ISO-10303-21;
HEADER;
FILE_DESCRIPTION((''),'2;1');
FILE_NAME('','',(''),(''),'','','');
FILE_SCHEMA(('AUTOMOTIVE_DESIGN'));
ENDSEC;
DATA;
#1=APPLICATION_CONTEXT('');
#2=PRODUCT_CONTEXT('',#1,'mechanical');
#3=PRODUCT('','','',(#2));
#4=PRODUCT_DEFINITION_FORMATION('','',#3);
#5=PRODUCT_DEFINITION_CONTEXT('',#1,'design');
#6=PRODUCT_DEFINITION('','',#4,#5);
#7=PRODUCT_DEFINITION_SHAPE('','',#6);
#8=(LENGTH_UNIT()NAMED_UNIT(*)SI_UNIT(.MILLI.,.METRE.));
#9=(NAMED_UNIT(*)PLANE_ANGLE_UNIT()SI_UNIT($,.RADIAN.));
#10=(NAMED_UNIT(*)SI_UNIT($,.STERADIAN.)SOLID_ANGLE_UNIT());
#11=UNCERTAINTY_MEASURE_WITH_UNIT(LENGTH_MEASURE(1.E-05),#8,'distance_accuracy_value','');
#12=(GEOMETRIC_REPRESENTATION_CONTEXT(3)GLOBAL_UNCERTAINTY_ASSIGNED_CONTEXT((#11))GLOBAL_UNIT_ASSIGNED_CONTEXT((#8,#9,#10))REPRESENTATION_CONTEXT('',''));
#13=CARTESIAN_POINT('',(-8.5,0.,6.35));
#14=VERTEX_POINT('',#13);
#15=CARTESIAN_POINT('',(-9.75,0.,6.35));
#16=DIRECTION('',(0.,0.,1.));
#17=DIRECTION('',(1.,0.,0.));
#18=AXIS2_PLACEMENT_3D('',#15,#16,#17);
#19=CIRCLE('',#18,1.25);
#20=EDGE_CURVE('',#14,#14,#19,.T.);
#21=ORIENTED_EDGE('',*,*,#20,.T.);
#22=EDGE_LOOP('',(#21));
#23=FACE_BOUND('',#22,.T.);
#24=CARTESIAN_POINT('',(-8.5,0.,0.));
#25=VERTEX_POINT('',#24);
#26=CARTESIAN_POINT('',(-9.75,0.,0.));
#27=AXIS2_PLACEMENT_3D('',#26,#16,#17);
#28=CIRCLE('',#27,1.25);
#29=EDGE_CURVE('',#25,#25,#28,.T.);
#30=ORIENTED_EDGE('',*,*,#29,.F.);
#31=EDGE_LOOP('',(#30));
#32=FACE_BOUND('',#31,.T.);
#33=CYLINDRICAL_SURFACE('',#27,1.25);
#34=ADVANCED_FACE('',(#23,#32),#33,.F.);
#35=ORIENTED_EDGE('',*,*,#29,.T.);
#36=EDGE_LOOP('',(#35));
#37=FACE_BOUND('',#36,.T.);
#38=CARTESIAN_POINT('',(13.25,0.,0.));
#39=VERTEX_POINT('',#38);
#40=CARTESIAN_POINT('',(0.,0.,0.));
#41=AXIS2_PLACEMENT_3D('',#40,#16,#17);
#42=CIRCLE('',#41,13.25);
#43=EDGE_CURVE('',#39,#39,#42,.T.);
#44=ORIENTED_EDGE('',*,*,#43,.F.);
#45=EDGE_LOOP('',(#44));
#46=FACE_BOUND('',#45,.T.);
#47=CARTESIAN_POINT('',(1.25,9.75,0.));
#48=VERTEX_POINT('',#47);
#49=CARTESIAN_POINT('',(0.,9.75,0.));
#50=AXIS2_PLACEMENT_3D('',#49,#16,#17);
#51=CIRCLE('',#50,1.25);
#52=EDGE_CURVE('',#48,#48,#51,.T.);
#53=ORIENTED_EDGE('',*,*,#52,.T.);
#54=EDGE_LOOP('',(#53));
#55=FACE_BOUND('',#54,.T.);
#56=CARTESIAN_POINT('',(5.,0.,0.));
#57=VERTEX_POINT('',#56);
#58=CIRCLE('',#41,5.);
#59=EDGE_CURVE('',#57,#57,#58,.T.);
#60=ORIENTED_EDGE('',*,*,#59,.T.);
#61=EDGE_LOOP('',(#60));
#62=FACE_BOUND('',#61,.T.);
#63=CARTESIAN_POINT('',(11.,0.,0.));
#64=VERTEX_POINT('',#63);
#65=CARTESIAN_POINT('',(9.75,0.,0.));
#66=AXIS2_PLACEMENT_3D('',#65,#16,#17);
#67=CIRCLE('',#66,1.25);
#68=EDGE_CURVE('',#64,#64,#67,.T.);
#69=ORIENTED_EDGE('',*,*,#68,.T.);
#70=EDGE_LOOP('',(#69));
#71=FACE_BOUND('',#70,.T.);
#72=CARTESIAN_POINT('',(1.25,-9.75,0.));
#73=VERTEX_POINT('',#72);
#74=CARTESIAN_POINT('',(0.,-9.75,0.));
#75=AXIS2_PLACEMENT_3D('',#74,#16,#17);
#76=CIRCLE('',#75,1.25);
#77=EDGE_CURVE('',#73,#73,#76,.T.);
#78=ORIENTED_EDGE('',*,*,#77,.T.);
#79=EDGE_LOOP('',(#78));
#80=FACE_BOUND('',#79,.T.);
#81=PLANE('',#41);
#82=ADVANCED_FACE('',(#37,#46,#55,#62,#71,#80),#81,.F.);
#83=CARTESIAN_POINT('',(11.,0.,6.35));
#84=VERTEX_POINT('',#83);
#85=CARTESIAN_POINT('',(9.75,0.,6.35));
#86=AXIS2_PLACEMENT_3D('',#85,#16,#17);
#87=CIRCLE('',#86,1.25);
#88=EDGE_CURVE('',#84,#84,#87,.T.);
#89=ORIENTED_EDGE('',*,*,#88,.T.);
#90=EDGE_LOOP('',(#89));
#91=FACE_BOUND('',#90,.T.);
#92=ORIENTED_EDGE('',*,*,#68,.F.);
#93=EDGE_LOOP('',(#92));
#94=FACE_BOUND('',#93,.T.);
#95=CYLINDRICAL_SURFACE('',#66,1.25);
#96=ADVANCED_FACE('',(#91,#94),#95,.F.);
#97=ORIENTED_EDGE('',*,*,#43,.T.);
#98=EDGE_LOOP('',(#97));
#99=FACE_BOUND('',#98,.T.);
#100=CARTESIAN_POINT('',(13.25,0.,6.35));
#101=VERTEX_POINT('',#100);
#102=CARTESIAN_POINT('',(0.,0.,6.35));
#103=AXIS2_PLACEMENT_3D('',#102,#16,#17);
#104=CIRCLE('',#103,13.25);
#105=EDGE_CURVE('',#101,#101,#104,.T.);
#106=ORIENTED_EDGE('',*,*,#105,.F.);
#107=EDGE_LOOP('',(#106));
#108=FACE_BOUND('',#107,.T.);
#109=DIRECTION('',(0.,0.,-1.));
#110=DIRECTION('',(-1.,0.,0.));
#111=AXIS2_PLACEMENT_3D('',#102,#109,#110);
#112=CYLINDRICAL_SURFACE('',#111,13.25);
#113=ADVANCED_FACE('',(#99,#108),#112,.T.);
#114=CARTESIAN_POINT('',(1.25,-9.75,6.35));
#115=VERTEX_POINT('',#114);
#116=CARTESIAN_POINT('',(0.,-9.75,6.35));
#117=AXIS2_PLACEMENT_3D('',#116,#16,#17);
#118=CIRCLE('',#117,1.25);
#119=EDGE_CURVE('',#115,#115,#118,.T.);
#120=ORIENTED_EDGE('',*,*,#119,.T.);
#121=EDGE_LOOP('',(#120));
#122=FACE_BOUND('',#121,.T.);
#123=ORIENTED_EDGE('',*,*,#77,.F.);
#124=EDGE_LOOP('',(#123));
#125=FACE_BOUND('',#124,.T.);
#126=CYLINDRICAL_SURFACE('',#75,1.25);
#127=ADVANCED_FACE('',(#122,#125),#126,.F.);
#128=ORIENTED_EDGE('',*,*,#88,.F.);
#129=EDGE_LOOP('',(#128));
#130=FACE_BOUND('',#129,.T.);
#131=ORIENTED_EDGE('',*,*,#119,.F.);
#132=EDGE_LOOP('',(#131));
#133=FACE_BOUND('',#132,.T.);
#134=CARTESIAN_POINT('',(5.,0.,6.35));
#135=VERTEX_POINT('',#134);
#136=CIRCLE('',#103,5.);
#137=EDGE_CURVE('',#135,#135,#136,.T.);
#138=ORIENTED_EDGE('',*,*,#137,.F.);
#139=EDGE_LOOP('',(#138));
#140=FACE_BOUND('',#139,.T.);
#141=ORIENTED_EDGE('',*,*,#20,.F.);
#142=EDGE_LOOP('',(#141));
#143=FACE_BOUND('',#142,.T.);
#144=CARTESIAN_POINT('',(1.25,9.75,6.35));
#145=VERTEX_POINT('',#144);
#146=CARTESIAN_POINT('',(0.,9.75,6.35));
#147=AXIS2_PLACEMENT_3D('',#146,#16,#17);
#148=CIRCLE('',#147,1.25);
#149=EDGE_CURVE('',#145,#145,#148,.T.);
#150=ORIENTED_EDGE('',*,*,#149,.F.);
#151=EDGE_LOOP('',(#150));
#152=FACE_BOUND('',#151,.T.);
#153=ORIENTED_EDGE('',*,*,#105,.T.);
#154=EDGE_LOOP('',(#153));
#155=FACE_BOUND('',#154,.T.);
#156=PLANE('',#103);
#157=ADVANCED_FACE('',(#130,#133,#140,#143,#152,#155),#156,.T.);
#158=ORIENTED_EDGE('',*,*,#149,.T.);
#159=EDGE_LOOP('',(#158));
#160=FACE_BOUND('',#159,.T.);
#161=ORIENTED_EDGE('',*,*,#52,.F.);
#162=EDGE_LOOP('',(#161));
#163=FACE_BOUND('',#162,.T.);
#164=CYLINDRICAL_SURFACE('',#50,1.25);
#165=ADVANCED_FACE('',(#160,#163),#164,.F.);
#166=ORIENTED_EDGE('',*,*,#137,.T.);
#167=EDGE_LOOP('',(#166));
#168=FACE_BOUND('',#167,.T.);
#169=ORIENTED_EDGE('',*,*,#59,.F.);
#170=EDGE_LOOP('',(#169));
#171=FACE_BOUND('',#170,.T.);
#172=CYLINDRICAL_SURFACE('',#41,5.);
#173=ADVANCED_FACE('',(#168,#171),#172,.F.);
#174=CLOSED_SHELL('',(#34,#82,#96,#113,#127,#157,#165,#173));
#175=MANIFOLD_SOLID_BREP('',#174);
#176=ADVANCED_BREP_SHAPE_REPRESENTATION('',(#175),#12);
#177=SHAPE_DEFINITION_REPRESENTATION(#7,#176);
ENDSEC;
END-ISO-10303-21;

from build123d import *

# Parameters (mm, degrees)
SKETCH3_R           = 13.25
BOSS_EXTRUDE1_DEPTH = 6.35
SKETCH4_R           = 5
SKETCH4_R_2         = 1.25
CUT_EXTRUDE1_DEPTH  = 6.35


with BuildPart() as part:
    # Sketch3 → Boss-Extrude1 (new body)
    with BuildSketch(Plane.XY):
        Circle(SKETCH3_R)
    extrude(amount=BOSS_EXTRUDE1_DEPTH)

    # Sketch4 → Cut-Extrude1 (cut)
    with BuildSketch(Plane.XY.offset(6.35)):
        Circle(SKETCH4_R)
        with Locations((0, 9.75)):
            Circle(SKETCH4_R_2)
        with Locations((9.75, 0)):
            Circle(SKETCH4_R_2)
        with Locations((0, -9.75)):
            Circle(SKETCH4_R_2)
        with Locations((-9.75, 0)):
            Circle(SKETCH4_R_2)
    extrude(amount=-CUT_EXTRUDE1_DEPTH, mode=Mode.SUBTRACT)


solid = part.part
